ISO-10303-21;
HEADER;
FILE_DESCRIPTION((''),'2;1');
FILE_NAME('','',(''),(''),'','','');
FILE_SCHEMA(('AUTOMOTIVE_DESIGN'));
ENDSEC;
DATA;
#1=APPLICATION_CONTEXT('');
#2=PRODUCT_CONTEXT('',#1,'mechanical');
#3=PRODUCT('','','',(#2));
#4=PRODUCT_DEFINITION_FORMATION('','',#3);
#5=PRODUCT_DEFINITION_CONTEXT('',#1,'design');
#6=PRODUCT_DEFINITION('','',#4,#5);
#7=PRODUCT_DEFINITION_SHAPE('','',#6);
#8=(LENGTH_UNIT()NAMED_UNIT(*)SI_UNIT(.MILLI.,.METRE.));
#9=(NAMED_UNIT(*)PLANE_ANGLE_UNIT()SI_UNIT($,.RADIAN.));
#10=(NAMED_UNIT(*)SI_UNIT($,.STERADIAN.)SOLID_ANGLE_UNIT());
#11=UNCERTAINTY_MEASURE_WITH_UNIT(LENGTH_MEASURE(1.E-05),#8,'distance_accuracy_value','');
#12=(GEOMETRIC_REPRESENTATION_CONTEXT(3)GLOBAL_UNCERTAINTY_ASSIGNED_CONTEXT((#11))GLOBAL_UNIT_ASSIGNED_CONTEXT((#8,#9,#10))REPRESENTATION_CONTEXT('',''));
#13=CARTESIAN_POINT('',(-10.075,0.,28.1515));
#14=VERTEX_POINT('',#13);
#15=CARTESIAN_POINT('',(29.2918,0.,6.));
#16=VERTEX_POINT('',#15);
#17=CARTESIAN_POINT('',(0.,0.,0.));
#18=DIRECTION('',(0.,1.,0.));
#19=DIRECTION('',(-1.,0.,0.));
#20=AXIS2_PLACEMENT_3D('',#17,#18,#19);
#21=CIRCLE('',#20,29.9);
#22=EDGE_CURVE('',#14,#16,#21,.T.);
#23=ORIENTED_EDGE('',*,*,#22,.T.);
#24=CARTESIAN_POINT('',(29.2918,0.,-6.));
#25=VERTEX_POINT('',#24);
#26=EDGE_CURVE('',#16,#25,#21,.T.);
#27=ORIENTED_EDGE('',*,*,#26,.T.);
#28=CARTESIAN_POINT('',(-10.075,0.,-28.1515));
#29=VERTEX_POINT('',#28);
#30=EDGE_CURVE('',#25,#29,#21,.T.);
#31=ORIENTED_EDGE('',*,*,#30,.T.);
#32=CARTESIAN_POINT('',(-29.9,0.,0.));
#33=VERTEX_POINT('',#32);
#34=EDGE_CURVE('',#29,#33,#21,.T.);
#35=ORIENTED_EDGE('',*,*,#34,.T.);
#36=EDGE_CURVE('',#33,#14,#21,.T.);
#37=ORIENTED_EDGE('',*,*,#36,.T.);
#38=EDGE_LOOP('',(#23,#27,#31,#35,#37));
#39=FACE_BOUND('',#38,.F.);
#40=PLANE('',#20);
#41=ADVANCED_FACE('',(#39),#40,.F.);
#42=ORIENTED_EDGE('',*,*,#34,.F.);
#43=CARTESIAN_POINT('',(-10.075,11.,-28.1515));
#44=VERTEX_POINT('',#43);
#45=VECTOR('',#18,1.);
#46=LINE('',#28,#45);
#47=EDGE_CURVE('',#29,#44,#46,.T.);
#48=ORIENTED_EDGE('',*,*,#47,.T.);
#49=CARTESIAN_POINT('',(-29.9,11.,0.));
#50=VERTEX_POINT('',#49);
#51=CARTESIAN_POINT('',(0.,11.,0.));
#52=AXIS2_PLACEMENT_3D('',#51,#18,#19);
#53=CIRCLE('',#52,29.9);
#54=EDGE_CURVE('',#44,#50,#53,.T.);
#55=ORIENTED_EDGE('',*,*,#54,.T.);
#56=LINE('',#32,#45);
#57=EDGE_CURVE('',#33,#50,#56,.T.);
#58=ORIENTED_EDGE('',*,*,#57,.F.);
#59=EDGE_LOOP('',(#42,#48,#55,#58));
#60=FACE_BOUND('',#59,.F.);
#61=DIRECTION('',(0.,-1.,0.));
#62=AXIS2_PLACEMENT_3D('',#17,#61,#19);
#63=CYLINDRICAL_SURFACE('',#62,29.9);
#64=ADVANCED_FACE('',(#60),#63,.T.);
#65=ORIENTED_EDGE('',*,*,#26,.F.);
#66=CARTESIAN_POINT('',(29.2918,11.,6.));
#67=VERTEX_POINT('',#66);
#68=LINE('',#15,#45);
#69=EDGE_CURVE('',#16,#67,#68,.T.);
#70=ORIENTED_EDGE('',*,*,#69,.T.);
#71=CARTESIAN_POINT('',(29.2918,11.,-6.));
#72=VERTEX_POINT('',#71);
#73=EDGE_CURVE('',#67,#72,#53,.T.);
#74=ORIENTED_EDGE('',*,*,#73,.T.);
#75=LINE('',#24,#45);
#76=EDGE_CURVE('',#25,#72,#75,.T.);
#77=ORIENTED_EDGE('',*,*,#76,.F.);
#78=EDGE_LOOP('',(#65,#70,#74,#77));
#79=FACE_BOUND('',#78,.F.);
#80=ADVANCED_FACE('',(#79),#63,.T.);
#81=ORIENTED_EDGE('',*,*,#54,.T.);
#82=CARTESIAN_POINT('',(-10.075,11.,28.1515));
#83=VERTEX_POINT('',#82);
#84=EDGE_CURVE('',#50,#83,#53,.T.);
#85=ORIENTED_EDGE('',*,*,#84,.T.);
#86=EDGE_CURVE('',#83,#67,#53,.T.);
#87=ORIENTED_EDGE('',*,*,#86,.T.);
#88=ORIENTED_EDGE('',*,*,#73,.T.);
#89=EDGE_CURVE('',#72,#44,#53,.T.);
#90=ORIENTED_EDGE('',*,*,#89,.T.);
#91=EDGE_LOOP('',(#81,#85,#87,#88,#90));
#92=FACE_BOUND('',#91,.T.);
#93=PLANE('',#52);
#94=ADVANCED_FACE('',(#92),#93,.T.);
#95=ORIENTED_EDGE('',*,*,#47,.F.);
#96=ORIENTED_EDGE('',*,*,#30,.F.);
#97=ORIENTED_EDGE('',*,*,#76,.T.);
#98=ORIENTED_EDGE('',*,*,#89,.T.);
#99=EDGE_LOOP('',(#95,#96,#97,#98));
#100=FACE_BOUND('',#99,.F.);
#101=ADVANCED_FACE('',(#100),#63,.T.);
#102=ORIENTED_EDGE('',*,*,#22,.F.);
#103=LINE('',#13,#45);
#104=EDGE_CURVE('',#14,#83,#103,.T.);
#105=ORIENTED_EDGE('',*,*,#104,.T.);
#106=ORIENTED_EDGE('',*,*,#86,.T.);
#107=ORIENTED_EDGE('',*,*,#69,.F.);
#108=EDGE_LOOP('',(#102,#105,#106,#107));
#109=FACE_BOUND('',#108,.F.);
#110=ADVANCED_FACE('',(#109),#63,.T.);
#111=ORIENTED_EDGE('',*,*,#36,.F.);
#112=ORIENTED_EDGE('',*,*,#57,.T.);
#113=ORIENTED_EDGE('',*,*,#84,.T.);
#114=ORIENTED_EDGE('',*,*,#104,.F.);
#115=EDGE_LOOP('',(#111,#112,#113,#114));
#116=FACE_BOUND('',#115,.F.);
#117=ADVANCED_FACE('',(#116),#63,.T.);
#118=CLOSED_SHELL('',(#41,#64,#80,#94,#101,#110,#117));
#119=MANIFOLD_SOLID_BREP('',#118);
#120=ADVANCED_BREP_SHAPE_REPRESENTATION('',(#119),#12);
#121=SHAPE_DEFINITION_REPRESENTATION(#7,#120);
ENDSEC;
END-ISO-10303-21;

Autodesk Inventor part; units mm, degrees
ref_plane "YZ Plane" through (0, 0, 0) normal (1, 0, 0) x (0, 1, 0)
ref_plane "XZ Plane" through (0, 0, 0) normal (0, 1, 0) x (-1, 0, 0)
ref_plane "XY Plane" through (0, 0, 0) normal (0, 0, 1) x (1, 0, 0)
sketch "Szkic1" plane through (0, 0, 0) normal (0, 1, 0) x (-1, 0, 0)
  circle A0 centre (0, 0) radius 29.9
  arc A1 (42.6967, -16.4766) -> (42.6967, 16.4766) centre (36.8, 0) ccw
  arc A2 (-39.1229, 3.647) -> (-39.1229, -3.647) centre (-38.25, 0) ccw
  line L0 (42.6967, 16.4766) -> (10.075, 28.1515)
  line L1 (42.6967, -16.4766) -> (10.075, -28.1515)
  line L2 (-39.1229, 3.647) -> (-29.2918, 6)
  line L3 (-39.1229, -3.647) -> (-29.2918, -6)
  point P0 (54.3, 0)
  point P1 (29.9, 0)
  point P2 (-42, 0)
  dimension "d0" = 59.8
  dimension "d1" = 0
  dimension "d2" = 24.4
  dimension "d3" = 35
  dimension "d4" = 7.5
  dimension "d5" = 96.3
  dimension "d6" = 6
  dimension "d7" = 6
extrude "Wyciągnięcie proste2" add sketch "Szkic1" along normal blind 11 contours A0
properties part number "lidar"
